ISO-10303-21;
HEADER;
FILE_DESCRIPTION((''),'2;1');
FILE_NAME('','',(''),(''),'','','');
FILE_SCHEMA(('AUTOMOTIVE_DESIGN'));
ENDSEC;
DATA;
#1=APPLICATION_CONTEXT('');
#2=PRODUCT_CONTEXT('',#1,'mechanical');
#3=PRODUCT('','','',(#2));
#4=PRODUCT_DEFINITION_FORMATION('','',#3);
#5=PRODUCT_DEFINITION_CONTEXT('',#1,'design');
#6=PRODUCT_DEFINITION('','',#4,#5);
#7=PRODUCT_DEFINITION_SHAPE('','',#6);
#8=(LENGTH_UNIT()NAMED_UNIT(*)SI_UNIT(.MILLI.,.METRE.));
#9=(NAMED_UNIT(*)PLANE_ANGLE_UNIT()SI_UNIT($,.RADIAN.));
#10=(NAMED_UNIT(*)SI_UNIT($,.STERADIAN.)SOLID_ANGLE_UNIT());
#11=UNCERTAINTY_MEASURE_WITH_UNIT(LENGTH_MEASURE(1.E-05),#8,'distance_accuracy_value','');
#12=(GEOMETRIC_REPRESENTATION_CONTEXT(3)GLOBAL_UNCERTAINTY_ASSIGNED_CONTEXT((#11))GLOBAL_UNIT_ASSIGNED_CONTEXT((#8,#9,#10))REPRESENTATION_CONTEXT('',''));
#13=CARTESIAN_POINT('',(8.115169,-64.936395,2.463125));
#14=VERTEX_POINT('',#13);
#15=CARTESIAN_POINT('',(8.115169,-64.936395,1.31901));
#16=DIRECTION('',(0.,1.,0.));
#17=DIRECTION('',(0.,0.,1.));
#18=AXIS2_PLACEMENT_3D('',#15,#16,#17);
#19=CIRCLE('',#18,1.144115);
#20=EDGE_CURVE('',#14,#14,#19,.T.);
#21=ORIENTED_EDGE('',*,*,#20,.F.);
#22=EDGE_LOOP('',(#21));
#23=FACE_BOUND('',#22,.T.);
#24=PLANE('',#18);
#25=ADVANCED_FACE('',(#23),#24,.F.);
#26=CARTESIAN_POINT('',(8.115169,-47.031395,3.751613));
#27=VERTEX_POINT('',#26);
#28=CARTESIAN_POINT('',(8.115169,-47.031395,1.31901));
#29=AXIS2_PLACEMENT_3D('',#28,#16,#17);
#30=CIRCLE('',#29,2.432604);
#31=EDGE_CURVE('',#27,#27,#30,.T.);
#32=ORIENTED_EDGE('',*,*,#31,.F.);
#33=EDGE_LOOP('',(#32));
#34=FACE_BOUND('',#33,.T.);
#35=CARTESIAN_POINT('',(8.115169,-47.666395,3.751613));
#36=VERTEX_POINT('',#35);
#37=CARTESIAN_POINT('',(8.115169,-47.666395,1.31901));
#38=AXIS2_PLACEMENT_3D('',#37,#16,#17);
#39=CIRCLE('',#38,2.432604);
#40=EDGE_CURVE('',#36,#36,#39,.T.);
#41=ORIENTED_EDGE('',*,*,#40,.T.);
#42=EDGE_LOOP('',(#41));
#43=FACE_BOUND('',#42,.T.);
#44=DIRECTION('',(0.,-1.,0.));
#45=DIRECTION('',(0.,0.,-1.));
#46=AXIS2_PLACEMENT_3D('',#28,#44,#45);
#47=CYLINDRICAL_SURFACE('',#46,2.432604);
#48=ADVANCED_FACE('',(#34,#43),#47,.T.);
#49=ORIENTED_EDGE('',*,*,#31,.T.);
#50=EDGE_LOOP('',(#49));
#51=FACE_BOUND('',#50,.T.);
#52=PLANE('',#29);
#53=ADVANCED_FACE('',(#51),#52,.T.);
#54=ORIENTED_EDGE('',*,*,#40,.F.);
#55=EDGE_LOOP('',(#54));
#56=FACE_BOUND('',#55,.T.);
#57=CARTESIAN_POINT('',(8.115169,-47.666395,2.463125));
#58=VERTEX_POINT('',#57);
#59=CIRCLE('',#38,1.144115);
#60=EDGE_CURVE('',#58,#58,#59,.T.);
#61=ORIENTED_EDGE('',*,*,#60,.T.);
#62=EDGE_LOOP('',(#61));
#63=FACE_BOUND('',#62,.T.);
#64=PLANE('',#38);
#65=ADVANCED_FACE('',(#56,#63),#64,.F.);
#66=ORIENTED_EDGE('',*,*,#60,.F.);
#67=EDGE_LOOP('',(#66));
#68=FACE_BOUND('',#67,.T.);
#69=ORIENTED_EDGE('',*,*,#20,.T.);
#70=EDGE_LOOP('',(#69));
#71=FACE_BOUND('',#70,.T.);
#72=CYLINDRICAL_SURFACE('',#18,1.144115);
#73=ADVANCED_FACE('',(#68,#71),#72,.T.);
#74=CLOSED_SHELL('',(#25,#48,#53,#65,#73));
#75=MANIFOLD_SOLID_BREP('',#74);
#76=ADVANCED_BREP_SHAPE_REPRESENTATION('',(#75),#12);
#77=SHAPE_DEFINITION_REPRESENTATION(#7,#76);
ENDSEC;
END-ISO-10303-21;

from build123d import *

# Parameters (mm, degrees)
SKETCH2_R           = 1.14411506
BOSS_EXTRUDE1_DEPTH = 17.27
SKETCH3_R           = 2.432603599
BOSS_EXTRUDE2_DEPTH = 0.635


with BuildPart() as part:
    # Sketch2 → Boss-Extrude1 (new body)
    with BuildSketch(Plane(origin=(0, -47.666395073, 0), x_dir=(1, 0, 0), z_dir=(0, 1, 0))):
        with Locations((8.115169221, -1.319009852)):
            Circle(SKETCH2_R)
    extrude(amount=-BOSS_EXTRUDE1_DEPTH)

    # Sketch3 → Boss-Extrude2 (add)
    with BuildSketch(Plane(origin=(0, -47.666395073, 0), x_dir=(1, 0, 0), z_dir=(0, 1, 0))):
        with Locations((8.115169221, -1.319009852)):
            Circle(SKETCH3_R)
    extrude(amount=BOSS_EXTRUDE2_DEPTH)


solid = part.part
